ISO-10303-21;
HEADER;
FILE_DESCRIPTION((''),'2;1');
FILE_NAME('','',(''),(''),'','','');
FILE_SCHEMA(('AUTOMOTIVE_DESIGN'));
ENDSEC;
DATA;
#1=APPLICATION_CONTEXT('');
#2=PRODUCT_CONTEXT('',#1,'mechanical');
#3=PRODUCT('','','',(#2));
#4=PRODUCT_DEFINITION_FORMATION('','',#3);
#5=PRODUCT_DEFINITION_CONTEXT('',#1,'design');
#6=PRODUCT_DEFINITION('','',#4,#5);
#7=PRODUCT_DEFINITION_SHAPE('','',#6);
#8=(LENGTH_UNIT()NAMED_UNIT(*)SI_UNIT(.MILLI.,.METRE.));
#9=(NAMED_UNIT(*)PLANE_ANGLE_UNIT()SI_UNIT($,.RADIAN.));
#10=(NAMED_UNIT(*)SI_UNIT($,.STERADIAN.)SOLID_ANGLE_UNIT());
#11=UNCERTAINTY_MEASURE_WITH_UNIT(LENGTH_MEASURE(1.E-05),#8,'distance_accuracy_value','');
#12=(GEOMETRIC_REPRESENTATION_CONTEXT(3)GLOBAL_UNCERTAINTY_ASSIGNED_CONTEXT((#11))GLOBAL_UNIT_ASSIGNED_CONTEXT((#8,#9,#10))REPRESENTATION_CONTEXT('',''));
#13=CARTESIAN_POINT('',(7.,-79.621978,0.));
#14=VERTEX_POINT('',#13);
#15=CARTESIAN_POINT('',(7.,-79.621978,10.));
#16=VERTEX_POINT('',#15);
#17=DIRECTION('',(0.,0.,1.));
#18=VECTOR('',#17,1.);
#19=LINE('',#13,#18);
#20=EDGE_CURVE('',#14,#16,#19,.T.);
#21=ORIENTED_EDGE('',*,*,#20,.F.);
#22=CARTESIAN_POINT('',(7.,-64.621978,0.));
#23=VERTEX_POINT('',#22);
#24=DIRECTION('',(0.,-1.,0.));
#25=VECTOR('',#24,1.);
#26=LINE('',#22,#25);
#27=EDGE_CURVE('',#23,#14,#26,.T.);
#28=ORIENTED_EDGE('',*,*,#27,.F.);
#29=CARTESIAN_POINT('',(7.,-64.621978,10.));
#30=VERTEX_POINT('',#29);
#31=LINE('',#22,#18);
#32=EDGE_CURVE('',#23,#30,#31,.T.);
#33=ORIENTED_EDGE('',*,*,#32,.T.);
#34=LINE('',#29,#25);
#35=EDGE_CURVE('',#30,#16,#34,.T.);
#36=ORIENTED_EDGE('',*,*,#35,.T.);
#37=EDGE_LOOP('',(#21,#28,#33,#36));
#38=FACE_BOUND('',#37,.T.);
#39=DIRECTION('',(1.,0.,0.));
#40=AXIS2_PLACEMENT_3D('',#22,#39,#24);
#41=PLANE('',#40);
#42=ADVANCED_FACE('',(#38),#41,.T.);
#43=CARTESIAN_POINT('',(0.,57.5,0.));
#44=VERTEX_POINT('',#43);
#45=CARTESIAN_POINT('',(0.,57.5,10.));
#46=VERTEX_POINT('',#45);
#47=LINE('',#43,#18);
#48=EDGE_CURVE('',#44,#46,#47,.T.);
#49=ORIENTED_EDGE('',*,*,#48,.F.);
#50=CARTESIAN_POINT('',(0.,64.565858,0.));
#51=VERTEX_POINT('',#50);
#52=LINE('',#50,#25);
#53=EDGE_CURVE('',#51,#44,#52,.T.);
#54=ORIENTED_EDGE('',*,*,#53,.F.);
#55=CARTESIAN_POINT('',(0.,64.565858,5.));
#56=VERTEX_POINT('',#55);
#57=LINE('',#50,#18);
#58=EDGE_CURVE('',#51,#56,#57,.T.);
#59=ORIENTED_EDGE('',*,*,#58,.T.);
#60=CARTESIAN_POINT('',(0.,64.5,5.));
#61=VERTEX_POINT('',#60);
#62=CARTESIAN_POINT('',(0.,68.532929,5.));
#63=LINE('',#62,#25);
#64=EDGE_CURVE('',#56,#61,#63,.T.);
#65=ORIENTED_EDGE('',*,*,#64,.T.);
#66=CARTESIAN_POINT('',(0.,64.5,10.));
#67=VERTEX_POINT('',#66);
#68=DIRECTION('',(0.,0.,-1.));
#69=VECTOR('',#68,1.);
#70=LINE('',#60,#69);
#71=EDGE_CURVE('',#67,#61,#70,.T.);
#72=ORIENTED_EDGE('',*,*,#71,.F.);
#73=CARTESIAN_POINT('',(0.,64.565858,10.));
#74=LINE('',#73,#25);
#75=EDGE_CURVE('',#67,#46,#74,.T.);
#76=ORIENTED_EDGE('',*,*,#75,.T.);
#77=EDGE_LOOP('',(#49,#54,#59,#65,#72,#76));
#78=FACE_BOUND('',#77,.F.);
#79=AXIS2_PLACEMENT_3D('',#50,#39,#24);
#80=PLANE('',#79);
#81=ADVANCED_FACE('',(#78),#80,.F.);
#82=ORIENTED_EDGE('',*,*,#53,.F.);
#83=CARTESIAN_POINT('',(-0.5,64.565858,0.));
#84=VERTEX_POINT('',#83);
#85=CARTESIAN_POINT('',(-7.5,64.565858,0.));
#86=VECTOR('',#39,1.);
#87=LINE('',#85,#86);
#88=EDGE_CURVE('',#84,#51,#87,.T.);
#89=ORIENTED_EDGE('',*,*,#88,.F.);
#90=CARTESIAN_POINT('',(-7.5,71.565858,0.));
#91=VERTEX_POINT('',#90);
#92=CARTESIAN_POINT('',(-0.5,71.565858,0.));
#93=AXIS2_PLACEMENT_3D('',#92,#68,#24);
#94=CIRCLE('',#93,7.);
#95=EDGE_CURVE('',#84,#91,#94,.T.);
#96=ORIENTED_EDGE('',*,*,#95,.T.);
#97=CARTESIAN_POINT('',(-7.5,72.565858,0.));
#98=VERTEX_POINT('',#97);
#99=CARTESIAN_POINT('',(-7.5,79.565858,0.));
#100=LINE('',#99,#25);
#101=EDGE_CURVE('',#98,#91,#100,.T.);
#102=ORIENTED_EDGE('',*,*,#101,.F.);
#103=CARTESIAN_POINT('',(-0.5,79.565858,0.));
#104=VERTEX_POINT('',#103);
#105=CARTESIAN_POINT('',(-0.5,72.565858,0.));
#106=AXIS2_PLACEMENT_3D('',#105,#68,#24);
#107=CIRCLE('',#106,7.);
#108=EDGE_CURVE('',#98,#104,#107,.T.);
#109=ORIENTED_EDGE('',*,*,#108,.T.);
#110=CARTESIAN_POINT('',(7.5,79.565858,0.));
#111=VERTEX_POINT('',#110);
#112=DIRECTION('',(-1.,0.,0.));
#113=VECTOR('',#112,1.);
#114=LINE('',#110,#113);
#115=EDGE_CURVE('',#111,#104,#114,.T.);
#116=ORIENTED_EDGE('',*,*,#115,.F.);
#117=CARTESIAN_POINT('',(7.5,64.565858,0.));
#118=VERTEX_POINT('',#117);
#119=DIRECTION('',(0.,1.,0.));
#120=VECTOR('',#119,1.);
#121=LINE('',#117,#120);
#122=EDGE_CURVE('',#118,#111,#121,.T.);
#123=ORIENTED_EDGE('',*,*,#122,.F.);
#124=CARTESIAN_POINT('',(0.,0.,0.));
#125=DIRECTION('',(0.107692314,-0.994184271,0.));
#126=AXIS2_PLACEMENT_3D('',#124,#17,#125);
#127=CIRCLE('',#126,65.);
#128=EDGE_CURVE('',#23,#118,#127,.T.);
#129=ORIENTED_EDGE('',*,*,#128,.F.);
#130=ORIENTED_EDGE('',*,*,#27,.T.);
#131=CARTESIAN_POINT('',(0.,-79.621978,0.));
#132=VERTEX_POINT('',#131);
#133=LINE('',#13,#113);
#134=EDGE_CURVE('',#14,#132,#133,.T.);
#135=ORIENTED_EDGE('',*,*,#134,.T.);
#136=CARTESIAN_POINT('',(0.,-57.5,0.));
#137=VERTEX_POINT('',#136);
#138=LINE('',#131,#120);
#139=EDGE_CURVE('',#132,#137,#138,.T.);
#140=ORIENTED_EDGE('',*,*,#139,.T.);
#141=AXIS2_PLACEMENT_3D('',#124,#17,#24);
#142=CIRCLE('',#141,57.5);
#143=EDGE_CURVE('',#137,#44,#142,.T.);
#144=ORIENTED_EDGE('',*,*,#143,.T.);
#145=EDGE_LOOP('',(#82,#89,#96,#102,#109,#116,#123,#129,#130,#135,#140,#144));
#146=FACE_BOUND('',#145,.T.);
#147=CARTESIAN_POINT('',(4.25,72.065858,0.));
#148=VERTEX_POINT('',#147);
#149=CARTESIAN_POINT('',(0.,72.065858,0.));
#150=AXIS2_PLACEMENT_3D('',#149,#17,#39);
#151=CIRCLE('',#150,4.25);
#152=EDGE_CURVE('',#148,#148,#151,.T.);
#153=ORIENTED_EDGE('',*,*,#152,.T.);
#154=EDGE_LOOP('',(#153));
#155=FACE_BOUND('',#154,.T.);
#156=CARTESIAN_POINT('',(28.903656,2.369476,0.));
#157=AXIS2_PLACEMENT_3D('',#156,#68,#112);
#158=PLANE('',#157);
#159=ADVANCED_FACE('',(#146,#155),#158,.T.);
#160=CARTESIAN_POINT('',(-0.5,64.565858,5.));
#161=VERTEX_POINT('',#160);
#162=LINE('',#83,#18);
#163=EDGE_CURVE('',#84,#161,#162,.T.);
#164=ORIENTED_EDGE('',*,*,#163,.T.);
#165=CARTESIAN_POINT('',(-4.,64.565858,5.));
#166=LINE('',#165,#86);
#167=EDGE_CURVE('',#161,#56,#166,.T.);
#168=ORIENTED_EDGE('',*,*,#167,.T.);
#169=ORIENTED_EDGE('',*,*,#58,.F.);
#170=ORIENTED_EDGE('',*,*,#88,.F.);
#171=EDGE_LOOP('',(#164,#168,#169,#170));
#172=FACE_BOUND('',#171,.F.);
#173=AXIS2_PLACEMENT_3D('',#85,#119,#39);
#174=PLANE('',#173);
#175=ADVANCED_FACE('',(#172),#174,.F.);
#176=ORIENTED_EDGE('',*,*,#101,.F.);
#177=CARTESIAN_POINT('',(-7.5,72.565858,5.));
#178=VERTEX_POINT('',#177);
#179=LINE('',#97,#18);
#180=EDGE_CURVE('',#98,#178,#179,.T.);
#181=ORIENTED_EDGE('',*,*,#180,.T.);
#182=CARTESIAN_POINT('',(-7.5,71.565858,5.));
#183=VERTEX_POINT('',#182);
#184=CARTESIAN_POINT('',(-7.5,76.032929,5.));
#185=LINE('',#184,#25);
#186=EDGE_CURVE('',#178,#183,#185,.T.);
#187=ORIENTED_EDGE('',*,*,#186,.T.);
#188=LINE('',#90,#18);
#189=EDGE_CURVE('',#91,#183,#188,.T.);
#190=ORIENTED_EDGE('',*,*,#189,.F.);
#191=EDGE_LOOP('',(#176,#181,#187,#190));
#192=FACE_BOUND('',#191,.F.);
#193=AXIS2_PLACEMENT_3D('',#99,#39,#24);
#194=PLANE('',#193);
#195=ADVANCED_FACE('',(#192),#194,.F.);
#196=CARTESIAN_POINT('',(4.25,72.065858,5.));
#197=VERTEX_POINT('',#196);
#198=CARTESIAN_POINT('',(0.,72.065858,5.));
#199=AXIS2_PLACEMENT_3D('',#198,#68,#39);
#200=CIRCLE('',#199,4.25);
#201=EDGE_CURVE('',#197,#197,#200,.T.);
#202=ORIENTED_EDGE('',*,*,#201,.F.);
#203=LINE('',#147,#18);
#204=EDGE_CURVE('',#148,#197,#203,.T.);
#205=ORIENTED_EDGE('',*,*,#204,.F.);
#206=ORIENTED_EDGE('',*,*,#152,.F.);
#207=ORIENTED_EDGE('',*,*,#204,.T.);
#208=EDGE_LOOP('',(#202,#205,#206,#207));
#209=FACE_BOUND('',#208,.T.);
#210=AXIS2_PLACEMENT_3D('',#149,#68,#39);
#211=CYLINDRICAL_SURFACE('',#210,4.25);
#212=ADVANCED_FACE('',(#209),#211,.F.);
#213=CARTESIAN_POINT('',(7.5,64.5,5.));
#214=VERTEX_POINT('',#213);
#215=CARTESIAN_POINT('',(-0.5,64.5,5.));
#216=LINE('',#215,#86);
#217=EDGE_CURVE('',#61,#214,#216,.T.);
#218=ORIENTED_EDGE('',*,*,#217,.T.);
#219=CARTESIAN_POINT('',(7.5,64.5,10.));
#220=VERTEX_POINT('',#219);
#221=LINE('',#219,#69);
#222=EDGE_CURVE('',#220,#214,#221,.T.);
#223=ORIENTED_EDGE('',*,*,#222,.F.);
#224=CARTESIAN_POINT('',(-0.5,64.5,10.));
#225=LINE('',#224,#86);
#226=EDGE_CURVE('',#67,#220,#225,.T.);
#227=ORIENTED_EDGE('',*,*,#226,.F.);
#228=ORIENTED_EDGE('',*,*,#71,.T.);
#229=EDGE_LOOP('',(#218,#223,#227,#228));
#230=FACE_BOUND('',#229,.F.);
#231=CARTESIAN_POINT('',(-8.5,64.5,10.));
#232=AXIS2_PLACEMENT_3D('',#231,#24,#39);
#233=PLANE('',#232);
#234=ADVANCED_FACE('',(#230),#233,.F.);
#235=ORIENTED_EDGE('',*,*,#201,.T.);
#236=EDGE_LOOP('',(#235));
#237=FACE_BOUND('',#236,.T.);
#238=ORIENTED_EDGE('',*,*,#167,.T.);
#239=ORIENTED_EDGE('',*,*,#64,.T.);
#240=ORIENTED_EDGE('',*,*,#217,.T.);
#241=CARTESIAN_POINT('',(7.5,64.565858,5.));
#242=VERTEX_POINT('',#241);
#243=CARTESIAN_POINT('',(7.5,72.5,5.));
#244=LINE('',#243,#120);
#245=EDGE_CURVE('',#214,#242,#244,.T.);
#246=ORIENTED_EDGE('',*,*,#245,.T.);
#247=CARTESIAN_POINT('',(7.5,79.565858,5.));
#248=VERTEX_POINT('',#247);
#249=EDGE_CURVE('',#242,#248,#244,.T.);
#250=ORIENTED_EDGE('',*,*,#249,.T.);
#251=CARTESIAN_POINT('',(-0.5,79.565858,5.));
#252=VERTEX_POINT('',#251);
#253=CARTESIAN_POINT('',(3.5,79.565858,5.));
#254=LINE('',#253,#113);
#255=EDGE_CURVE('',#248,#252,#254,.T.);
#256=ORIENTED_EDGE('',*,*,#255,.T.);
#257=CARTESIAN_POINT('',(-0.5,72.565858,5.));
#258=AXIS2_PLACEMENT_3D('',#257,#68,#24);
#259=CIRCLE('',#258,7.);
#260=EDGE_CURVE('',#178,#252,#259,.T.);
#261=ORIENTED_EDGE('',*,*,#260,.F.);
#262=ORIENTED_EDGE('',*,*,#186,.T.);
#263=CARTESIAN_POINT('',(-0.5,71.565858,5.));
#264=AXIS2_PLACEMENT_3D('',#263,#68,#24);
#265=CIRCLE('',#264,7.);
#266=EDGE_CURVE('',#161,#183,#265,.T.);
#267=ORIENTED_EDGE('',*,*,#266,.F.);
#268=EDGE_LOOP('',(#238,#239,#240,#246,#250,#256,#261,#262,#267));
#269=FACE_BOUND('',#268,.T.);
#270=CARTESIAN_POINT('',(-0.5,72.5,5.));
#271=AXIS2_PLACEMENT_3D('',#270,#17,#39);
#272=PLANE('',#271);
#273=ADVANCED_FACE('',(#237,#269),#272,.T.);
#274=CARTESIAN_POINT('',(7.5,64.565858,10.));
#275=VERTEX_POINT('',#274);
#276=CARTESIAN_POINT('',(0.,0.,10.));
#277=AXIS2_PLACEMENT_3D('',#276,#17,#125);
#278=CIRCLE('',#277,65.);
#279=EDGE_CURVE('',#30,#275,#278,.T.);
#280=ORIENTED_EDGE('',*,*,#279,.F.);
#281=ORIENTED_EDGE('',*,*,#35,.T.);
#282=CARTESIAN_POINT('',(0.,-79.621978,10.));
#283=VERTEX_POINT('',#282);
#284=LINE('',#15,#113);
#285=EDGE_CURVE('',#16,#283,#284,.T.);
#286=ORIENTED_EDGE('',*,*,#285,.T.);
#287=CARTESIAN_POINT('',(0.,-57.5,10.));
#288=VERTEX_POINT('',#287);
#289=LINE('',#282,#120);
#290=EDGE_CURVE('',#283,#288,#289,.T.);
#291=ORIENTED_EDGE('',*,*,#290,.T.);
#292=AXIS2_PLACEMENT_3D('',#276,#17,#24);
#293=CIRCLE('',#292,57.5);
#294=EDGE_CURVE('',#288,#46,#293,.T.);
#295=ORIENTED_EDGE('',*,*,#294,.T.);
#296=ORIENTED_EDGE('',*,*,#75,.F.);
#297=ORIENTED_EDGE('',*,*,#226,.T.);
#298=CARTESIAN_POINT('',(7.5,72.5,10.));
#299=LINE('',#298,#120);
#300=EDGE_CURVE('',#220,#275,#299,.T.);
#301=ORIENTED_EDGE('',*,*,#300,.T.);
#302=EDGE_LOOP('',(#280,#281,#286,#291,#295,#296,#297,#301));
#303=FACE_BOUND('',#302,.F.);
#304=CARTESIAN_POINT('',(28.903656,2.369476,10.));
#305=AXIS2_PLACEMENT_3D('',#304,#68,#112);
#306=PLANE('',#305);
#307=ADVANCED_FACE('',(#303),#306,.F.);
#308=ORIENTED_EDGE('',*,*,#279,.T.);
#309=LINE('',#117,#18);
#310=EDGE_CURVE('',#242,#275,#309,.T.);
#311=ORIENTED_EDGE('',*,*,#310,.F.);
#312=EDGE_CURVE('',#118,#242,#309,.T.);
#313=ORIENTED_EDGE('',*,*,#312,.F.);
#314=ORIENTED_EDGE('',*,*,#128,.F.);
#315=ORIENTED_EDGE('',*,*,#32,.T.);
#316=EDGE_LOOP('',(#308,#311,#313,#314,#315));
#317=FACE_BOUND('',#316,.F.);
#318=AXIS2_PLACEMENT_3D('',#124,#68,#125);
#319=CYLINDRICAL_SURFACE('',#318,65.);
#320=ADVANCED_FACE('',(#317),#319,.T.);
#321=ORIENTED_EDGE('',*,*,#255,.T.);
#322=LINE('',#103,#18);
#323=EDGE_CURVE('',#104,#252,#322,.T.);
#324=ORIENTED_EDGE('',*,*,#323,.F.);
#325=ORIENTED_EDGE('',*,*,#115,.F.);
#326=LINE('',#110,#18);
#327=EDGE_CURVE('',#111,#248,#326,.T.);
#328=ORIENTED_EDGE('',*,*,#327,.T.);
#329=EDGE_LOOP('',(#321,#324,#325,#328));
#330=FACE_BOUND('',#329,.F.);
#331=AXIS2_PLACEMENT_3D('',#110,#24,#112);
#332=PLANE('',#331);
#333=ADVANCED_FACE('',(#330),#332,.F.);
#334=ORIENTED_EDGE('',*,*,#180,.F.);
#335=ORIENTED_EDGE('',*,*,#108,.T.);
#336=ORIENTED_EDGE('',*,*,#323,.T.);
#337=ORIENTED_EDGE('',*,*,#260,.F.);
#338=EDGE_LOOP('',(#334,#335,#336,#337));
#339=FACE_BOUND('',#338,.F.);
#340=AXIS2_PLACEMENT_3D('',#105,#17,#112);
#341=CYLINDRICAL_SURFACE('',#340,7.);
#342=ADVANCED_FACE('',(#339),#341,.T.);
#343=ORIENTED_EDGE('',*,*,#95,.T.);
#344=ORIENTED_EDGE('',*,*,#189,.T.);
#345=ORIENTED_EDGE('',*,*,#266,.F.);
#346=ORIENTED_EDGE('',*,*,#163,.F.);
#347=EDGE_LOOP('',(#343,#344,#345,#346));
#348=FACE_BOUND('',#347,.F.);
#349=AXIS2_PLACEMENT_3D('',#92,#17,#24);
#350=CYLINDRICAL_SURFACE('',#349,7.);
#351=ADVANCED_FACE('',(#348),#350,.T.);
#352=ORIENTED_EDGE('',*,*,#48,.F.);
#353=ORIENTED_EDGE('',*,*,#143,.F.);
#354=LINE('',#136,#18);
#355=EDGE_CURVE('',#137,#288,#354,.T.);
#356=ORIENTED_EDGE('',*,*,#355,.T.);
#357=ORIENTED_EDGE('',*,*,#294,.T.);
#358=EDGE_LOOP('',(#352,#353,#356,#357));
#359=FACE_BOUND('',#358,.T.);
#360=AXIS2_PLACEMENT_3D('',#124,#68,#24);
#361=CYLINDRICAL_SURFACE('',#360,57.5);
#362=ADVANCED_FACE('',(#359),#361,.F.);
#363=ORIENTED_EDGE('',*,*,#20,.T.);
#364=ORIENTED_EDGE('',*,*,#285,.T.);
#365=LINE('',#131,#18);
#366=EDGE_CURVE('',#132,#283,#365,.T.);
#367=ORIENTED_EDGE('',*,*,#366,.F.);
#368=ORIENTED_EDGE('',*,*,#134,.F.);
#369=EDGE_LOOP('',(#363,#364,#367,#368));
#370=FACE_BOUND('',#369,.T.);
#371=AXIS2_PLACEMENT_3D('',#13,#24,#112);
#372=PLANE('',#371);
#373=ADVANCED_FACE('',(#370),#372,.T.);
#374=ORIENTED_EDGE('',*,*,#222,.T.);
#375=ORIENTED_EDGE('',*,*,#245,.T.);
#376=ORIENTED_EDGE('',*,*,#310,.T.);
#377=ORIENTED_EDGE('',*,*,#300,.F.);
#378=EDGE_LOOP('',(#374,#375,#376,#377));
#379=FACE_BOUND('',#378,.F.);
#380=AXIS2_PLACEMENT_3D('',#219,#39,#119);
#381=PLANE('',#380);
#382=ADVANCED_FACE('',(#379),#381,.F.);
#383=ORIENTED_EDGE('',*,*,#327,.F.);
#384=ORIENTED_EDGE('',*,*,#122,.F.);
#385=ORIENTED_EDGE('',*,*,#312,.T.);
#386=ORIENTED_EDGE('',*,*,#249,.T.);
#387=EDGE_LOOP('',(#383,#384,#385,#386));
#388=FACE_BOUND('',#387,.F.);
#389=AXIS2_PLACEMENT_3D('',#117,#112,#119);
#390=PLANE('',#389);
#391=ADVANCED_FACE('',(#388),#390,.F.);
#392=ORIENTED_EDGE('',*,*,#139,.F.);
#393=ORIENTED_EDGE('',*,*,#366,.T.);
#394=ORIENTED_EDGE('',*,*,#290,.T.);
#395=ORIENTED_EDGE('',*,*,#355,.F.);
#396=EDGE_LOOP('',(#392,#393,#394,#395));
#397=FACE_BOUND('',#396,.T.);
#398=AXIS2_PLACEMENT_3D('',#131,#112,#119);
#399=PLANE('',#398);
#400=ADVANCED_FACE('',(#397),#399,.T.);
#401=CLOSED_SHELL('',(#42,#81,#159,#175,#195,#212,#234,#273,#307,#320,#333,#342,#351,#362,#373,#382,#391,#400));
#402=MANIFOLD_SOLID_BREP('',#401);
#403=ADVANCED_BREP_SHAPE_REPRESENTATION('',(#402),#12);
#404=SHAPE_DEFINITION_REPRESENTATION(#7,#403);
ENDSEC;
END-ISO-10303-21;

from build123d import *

# Parameters (mm, degrees)
SKETCH_R     = 4.25
PAD_DEPTH    = 10
SKETCH001_W  = 16
SKETCH001_H  = 16
POCKET_DEPTH = 5
FILLET_R     = 7


with BuildPart() as part:
    # Sketch → Pad (new body)
    with BuildSketch(Plane.XY):
        with BuildLine():
            ThreePointArc((0, -57.5), (57.5, 0), (0, 57.5))
            Line((0, 64.565858), (0, 57.5))
            Line((-7.5, 64.565858), (0, 64.565858))
            Line((-7.5, 79.565858), (-7.5, 64.565858))
            Line((7.5, 79.565858), (-7.5, 79.565858))
            Line((7.5, 64.565858), (7.5, 79.565858))
            ThreePointArc((7, -64.621978), (64.999513, -0.25157), (7.5, 64.565858))
            Line((7, -64.621978), (7, -79.621978))
            Line((7, -79.621978), (0, -79.621978))
            Line((0, -79.621978), (0, -57.5))
        make_face()
        with Locations((0, 72.065858)):
            Circle(SKETCH_R, mode=Mode.SUBTRACT)
    extrude(amount=PAD_DEPTH)

    # Sketch001 (on Face13 of Pad) → Pocket (cut)
    with BuildSketch(Plane.XY.offset(10)):
        with Locations((-0.5, 72.5)):
            Rectangle(SKETCH001_W, SKETCH001_H)
    extrude(amount=-POCKET_DEPTH, mode=Mode.SUBTRACT)

    # Fillet
    fillet_edges = [part.edges().sort_by_distance(p)[0] for p in [
        (-7.5, 64.565858, 2.5),
        (-7.5, 79.565858, 2.5),
    ]]
    fillet(fillet_edges, radius=FILLET_R)


solid = part.part
